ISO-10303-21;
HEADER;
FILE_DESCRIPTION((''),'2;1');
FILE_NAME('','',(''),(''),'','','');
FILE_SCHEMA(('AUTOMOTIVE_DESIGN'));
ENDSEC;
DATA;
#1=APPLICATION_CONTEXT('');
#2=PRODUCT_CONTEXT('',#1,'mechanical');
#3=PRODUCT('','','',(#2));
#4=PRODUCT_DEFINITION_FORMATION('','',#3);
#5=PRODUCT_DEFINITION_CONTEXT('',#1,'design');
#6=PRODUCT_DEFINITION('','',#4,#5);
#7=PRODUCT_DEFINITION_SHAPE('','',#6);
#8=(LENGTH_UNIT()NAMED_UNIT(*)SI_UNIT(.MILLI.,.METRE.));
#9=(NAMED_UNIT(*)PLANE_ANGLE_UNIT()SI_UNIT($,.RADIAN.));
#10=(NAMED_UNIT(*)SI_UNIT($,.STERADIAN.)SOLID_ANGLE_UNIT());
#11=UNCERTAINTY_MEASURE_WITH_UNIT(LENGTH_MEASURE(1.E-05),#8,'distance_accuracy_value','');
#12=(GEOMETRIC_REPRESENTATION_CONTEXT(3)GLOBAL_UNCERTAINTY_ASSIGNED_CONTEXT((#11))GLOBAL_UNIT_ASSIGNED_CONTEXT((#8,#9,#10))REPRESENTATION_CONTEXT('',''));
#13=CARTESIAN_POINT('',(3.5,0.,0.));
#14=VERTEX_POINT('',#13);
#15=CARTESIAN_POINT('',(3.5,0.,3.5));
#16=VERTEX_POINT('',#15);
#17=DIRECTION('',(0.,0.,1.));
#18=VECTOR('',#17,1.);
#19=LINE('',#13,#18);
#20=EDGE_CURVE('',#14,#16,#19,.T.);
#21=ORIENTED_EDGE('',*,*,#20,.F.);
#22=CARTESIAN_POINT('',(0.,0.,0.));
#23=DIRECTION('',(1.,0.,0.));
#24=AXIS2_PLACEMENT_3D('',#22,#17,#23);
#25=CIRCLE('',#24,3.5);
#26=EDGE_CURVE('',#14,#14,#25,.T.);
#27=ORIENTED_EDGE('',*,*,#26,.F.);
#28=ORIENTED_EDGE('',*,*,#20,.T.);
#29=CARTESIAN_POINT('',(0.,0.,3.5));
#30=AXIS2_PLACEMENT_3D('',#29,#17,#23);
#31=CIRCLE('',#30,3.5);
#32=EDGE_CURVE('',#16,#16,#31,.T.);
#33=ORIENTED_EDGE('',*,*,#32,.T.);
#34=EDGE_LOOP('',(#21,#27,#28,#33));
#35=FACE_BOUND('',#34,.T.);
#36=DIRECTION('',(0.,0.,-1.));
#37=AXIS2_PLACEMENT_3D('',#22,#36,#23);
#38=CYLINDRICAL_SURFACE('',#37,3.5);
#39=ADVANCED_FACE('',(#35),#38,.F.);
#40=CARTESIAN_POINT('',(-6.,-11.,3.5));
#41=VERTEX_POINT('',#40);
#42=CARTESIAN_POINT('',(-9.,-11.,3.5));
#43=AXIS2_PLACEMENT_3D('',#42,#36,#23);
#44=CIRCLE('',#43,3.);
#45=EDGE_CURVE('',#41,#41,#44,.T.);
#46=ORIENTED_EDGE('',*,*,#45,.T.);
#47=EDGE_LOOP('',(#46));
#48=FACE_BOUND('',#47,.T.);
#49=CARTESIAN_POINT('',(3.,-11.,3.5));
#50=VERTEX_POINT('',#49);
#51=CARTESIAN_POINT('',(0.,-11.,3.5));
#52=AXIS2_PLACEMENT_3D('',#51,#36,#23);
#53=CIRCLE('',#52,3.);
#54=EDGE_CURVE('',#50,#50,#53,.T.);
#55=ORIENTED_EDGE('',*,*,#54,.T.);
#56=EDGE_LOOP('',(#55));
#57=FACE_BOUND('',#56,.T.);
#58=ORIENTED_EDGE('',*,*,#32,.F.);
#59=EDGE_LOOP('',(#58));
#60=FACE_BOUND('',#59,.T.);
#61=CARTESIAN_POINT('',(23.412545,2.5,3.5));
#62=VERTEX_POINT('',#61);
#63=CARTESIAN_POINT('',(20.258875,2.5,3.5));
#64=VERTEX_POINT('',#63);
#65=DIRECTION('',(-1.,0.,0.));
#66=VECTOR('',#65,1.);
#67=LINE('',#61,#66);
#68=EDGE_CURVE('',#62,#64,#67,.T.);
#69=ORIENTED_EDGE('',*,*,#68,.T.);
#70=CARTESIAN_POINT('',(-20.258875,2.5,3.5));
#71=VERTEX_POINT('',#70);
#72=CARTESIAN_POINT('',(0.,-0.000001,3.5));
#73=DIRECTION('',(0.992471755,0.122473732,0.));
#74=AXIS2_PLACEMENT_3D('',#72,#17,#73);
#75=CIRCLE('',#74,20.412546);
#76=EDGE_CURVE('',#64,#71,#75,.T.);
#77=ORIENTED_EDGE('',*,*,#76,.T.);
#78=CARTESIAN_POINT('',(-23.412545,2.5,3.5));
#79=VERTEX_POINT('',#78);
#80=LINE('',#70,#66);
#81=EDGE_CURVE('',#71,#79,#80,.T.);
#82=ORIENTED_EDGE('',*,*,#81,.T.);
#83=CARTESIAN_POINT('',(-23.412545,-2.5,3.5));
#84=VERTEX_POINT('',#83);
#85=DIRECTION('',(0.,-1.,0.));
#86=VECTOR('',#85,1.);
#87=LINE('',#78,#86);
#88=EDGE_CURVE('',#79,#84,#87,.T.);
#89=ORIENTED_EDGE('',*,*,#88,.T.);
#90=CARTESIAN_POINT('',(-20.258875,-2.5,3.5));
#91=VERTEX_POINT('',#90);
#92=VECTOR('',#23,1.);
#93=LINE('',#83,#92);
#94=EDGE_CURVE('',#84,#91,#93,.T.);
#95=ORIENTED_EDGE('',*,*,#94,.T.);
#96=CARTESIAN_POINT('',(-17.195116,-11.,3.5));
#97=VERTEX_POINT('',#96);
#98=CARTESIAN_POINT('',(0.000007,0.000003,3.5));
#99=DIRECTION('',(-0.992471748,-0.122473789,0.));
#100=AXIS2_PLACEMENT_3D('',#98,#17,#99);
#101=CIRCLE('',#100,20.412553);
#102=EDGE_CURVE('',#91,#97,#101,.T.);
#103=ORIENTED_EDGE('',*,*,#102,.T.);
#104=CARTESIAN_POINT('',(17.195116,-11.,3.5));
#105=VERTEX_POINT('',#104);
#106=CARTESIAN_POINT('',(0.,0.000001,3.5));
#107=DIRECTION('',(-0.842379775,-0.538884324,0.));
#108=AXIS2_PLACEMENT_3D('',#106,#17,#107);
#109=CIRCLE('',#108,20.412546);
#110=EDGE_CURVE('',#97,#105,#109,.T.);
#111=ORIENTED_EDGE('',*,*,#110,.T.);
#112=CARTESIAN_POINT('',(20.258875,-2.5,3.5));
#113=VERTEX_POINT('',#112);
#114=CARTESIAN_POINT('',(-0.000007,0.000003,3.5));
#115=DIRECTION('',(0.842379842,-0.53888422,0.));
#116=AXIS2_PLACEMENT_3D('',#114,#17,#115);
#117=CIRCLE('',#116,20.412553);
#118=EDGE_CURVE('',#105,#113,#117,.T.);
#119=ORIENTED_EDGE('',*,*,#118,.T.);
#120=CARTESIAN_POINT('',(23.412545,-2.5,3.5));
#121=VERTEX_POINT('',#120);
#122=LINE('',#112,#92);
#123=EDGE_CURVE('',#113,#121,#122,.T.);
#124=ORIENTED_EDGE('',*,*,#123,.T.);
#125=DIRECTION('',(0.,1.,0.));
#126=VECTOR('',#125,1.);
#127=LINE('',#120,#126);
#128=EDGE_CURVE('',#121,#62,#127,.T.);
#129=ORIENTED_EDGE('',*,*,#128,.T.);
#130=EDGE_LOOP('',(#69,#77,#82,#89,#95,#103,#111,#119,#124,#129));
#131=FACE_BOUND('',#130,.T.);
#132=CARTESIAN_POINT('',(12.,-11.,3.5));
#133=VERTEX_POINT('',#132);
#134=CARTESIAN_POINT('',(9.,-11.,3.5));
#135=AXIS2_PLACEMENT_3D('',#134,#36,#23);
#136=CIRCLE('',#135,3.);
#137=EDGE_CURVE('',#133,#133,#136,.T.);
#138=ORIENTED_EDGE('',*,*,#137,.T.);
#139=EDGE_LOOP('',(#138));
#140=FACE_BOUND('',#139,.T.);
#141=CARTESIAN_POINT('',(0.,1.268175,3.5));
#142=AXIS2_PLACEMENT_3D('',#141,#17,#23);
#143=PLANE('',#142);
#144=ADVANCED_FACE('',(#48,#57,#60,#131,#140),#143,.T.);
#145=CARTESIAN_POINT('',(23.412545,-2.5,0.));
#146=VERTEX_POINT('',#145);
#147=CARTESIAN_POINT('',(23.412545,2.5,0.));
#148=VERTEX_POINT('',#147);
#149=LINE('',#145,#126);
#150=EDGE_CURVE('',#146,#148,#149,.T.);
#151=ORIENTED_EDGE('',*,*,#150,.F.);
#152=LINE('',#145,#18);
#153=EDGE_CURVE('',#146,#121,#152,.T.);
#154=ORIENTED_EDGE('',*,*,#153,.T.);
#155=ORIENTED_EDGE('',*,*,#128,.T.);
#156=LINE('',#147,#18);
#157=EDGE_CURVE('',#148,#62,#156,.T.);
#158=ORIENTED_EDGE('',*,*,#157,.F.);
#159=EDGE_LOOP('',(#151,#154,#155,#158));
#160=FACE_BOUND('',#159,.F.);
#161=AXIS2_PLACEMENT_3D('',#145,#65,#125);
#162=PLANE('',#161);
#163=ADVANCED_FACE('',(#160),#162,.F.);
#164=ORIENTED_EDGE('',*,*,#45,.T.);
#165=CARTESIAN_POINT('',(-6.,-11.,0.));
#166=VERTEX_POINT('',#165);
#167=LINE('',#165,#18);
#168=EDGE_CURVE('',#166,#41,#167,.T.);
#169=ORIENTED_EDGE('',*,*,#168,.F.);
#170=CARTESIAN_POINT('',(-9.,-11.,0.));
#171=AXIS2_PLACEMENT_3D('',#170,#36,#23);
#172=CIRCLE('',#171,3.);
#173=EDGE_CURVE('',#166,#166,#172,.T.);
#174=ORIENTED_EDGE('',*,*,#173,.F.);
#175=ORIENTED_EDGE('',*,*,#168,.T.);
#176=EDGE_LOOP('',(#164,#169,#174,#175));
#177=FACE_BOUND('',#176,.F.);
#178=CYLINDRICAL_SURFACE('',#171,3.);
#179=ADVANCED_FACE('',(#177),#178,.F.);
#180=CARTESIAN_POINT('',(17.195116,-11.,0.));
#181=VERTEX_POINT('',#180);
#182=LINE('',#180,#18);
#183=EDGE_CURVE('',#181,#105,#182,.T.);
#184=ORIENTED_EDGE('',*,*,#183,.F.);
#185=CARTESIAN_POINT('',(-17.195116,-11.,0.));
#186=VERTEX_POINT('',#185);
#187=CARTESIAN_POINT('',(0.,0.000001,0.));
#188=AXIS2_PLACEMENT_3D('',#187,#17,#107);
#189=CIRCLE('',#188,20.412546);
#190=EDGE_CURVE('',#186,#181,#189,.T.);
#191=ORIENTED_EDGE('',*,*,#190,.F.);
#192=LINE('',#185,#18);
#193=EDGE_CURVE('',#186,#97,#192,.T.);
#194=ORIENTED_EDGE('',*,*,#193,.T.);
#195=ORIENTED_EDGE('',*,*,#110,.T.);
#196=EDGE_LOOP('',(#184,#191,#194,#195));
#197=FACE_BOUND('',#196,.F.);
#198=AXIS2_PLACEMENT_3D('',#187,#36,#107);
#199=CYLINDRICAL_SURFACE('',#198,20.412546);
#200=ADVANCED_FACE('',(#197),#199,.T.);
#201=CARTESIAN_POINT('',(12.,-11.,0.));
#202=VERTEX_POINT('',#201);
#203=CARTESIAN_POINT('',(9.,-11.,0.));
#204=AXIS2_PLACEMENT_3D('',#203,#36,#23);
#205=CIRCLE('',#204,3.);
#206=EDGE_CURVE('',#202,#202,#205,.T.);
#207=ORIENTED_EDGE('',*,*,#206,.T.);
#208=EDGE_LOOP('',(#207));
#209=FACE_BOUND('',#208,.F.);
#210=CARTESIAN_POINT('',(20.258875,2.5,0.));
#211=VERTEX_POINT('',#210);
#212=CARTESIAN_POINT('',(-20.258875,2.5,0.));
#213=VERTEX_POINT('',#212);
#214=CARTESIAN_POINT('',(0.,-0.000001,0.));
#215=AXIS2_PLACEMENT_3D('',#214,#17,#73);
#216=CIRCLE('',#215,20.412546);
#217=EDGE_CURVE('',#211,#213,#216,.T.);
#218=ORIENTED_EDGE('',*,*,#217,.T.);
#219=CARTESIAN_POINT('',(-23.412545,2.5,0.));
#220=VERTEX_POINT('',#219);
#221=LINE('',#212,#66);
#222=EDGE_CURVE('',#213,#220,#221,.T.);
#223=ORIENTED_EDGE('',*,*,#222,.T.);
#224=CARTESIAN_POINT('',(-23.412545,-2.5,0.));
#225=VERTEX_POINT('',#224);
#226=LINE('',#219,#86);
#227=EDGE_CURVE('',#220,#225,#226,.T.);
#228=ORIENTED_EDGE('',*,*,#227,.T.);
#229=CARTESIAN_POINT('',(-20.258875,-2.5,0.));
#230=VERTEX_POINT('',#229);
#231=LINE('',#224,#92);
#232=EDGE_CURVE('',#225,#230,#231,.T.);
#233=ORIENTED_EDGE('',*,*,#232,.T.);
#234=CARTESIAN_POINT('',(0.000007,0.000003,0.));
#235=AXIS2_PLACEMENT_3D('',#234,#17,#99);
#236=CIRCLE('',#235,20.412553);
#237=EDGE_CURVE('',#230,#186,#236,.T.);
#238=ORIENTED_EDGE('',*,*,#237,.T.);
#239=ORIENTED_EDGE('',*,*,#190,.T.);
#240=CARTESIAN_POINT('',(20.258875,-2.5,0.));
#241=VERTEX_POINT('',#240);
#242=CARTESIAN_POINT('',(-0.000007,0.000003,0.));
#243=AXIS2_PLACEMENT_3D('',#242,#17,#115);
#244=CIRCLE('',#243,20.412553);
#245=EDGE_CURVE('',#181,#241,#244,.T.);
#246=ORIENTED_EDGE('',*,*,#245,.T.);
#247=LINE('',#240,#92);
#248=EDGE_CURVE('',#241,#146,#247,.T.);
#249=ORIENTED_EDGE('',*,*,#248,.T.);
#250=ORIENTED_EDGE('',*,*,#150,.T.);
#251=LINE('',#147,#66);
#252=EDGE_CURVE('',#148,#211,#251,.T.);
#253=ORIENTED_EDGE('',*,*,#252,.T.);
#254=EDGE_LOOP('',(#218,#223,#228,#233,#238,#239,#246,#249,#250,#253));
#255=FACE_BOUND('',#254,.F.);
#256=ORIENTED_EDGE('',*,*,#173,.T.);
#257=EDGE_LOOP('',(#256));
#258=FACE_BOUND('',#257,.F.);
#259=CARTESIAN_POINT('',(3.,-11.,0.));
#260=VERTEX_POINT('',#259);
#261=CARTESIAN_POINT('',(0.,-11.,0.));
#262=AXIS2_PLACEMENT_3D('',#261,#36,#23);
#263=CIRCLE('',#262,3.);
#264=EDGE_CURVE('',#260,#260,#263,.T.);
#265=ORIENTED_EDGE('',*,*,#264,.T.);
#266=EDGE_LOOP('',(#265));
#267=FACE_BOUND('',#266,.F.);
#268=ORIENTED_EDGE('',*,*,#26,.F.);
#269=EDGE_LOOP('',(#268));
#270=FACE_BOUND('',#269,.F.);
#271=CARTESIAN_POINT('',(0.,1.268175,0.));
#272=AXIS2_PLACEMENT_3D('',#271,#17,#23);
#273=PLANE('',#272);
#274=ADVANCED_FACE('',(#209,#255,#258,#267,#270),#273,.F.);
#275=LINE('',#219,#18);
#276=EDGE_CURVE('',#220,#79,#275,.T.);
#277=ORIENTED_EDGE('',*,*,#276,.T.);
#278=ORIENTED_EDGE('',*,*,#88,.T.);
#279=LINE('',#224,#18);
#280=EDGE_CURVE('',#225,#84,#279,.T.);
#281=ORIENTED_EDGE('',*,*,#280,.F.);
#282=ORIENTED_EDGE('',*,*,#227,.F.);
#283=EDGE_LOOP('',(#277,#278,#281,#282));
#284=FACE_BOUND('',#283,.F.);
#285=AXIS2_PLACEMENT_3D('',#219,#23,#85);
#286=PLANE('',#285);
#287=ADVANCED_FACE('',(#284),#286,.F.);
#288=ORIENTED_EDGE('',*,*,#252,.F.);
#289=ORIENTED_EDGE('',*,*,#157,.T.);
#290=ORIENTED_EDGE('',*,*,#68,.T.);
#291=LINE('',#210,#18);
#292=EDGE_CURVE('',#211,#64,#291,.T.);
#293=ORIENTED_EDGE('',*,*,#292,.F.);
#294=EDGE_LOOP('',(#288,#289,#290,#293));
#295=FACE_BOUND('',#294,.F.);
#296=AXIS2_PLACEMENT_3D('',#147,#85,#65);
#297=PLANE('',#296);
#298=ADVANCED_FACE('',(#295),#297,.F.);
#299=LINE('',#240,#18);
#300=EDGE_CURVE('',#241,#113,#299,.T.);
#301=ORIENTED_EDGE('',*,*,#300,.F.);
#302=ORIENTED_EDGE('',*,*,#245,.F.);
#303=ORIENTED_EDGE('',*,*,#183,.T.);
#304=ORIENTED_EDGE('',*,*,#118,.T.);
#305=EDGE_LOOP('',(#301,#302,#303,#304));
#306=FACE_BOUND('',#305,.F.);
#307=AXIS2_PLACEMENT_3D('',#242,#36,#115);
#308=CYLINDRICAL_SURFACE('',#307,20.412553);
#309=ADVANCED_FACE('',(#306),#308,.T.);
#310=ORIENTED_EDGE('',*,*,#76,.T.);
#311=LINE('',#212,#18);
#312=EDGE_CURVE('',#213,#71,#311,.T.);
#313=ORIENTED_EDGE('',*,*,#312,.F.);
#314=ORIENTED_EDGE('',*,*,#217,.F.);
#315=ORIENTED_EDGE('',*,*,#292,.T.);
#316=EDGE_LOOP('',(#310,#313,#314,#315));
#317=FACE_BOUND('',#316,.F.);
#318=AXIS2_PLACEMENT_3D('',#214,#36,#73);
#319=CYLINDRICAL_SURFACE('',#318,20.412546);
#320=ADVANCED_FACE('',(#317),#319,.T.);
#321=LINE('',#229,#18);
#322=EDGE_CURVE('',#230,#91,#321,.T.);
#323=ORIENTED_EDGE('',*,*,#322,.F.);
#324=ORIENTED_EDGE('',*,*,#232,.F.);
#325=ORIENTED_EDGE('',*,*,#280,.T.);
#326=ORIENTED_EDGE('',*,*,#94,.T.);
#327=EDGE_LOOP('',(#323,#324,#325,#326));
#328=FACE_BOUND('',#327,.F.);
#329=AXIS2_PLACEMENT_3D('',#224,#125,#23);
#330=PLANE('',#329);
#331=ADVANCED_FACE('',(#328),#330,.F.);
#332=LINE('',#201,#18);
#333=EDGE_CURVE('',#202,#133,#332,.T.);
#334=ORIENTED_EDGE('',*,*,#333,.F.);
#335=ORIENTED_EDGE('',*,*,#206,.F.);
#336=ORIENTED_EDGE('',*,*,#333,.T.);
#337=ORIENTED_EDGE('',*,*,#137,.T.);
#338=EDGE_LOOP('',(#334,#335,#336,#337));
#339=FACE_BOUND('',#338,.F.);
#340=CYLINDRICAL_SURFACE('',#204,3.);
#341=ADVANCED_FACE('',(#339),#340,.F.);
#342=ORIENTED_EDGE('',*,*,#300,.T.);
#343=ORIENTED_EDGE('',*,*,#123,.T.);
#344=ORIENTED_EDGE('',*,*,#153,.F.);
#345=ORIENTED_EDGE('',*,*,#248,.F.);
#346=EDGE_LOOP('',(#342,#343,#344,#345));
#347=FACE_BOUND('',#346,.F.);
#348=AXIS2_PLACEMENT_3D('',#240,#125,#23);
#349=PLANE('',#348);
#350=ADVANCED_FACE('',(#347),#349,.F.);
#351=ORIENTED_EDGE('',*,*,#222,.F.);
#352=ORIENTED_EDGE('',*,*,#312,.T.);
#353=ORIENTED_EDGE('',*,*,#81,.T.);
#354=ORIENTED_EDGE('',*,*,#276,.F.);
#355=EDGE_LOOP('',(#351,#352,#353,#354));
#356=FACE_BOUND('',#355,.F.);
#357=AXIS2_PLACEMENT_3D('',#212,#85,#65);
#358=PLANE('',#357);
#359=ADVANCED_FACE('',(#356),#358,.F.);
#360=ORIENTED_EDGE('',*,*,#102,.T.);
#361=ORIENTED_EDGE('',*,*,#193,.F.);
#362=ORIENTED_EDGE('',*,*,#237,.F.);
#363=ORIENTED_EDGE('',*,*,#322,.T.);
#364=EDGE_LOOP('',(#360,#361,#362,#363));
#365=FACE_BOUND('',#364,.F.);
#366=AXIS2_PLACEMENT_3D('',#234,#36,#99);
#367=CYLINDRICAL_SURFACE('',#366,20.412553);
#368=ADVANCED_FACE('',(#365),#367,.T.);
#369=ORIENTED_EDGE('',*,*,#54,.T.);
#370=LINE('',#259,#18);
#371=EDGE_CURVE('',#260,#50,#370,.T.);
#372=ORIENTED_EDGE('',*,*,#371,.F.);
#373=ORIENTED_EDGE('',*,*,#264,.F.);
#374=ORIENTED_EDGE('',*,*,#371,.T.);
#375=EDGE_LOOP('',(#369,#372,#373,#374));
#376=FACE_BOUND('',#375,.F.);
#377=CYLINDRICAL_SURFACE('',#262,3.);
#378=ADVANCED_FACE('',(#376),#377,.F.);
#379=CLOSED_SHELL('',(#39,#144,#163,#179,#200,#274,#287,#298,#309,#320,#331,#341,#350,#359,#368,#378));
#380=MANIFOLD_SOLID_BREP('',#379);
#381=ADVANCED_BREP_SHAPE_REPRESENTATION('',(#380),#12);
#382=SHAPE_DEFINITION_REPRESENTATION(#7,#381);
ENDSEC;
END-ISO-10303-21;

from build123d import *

# Parameters (mm, degrees)
F0_R     = 3.5
F1_DEPTH = 3.5


with BuildPart() as f1:
    # F0 (on Top) → F1 (new body)
    with BuildSketch(Plane.XY):
        with BuildLine():
            Line((17.412545, 2.5), (20.258875, 2.5))
            ThreePointArc((20.258875, 2.5), (0, 20.412545), (-20.258875, 2.5))
            Line((-20.258875, 2.5), (-17.412545, 2.5))
            Line((-17.412545, 2.5), (-17.412545, -2.5))
            Line((-17.412545, -2.5), (-20.258875, -2.5))
            ThreePointArc((-20.258875, -2.5), (-19.203199, -6.921644), (-17.195116, -11))
            Line((-17.195116, -11), (-12, -11))
            ThreePointArc((-12, -11), (-9, -8), (-6, -11))
            Line((-6, -11), (-3, -11))
            ThreePointArc((-3, -11), (0, -8), (3, -11))
            Line((3, -11), (6, -11))
            ThreePointArc((6, -11), (9, -8), (12, -11))
            Line((12, -11), (17.195116, -11))
            ThreePointArc((17.195116, -11), (19.203199, -6.921644), (20.258875, -2.5))
            Line((20.258875, -2.5), (17.412545, -2.5))
            Line((17.412545, -2.5), (17.412545, 2.5))
        make_face()
        Circle(F0_R, mode=Mode.SUBTRACT)
        with BuildLine():
            ThreePointArc((-17.195116, -11), (0, -20.412545), (17.195116, -11))
            Line((17.195116, -11), (12, -11))
            ThreePointArc((12, -11), (9, -14), (6, -11))
            Line((6, -11), (3, -11))
            ThreePointArc((3, -11), (0, -14), (-3, -11))
            Line((-3, -11), (-6, -11))
            ThreePointArc((-6, -11), (-9, -14), (-12, -11))
            Line((-12, -11), (-17.195116, -11))
        make_face()
        with BuildLine():
            Line((-17.412545, 2.5), (-20.258875, 2.5))
            ThreePointArc((-20.258875, 2.5), (-20.412545, 0), (-20.258875, -2.5))
            Line((-20.258875, -2.5), (-17.412545, -2.5))
            Line((-17.412545, -2.5), (-17.412545, 2.5))
        make_face()
        with BuildLine():
            ThreePointArc((-20.258875, -2.5), (-20.412545, 0), (-20.258875, 2.5))
            Line((-20.258875, 2.5), (-23.412545, 2.5))
            Line((-23.412545, 2.5), (-23.412545, -2.5))
            Line((-23.412545, -2.5), (-20.258875, -2.5))
        make_face()
        with BuildLine():
            ThreePointArc((20.258875, -2.5), (20.374091, -1.252359), (20.412545, 0))
            ThreePointArc((20.412545, 0), (20.374091, 1.252359), (20.258875, 2.5))
            Line((20.258875, 2.5), (17.412545, 2.5))
            Line((17.412545, 2.5), (17.412545, -2.5))
            Line((17.412545, -2.5), (20.258875, -2.5))
        make_face()
        with BuildLine():
            ThreePointArc((20.258875, 2.5), (20.374091, 1.252359), (20.412545, 0))
            ThreePointArc((20.412545, 0), (20.374091, -1.252359), (20.258875, -2.5))
            Line((20.258875, -2.5), (23.412545, -2.5))
            Line((23.412545, -2.5), (23.412545, 2.5))
            Line((23.412545, 2.5), (20.258875, 2.5))
        make_face()
    extrude(amount=F1_DEPTH)


solid = f1.part
